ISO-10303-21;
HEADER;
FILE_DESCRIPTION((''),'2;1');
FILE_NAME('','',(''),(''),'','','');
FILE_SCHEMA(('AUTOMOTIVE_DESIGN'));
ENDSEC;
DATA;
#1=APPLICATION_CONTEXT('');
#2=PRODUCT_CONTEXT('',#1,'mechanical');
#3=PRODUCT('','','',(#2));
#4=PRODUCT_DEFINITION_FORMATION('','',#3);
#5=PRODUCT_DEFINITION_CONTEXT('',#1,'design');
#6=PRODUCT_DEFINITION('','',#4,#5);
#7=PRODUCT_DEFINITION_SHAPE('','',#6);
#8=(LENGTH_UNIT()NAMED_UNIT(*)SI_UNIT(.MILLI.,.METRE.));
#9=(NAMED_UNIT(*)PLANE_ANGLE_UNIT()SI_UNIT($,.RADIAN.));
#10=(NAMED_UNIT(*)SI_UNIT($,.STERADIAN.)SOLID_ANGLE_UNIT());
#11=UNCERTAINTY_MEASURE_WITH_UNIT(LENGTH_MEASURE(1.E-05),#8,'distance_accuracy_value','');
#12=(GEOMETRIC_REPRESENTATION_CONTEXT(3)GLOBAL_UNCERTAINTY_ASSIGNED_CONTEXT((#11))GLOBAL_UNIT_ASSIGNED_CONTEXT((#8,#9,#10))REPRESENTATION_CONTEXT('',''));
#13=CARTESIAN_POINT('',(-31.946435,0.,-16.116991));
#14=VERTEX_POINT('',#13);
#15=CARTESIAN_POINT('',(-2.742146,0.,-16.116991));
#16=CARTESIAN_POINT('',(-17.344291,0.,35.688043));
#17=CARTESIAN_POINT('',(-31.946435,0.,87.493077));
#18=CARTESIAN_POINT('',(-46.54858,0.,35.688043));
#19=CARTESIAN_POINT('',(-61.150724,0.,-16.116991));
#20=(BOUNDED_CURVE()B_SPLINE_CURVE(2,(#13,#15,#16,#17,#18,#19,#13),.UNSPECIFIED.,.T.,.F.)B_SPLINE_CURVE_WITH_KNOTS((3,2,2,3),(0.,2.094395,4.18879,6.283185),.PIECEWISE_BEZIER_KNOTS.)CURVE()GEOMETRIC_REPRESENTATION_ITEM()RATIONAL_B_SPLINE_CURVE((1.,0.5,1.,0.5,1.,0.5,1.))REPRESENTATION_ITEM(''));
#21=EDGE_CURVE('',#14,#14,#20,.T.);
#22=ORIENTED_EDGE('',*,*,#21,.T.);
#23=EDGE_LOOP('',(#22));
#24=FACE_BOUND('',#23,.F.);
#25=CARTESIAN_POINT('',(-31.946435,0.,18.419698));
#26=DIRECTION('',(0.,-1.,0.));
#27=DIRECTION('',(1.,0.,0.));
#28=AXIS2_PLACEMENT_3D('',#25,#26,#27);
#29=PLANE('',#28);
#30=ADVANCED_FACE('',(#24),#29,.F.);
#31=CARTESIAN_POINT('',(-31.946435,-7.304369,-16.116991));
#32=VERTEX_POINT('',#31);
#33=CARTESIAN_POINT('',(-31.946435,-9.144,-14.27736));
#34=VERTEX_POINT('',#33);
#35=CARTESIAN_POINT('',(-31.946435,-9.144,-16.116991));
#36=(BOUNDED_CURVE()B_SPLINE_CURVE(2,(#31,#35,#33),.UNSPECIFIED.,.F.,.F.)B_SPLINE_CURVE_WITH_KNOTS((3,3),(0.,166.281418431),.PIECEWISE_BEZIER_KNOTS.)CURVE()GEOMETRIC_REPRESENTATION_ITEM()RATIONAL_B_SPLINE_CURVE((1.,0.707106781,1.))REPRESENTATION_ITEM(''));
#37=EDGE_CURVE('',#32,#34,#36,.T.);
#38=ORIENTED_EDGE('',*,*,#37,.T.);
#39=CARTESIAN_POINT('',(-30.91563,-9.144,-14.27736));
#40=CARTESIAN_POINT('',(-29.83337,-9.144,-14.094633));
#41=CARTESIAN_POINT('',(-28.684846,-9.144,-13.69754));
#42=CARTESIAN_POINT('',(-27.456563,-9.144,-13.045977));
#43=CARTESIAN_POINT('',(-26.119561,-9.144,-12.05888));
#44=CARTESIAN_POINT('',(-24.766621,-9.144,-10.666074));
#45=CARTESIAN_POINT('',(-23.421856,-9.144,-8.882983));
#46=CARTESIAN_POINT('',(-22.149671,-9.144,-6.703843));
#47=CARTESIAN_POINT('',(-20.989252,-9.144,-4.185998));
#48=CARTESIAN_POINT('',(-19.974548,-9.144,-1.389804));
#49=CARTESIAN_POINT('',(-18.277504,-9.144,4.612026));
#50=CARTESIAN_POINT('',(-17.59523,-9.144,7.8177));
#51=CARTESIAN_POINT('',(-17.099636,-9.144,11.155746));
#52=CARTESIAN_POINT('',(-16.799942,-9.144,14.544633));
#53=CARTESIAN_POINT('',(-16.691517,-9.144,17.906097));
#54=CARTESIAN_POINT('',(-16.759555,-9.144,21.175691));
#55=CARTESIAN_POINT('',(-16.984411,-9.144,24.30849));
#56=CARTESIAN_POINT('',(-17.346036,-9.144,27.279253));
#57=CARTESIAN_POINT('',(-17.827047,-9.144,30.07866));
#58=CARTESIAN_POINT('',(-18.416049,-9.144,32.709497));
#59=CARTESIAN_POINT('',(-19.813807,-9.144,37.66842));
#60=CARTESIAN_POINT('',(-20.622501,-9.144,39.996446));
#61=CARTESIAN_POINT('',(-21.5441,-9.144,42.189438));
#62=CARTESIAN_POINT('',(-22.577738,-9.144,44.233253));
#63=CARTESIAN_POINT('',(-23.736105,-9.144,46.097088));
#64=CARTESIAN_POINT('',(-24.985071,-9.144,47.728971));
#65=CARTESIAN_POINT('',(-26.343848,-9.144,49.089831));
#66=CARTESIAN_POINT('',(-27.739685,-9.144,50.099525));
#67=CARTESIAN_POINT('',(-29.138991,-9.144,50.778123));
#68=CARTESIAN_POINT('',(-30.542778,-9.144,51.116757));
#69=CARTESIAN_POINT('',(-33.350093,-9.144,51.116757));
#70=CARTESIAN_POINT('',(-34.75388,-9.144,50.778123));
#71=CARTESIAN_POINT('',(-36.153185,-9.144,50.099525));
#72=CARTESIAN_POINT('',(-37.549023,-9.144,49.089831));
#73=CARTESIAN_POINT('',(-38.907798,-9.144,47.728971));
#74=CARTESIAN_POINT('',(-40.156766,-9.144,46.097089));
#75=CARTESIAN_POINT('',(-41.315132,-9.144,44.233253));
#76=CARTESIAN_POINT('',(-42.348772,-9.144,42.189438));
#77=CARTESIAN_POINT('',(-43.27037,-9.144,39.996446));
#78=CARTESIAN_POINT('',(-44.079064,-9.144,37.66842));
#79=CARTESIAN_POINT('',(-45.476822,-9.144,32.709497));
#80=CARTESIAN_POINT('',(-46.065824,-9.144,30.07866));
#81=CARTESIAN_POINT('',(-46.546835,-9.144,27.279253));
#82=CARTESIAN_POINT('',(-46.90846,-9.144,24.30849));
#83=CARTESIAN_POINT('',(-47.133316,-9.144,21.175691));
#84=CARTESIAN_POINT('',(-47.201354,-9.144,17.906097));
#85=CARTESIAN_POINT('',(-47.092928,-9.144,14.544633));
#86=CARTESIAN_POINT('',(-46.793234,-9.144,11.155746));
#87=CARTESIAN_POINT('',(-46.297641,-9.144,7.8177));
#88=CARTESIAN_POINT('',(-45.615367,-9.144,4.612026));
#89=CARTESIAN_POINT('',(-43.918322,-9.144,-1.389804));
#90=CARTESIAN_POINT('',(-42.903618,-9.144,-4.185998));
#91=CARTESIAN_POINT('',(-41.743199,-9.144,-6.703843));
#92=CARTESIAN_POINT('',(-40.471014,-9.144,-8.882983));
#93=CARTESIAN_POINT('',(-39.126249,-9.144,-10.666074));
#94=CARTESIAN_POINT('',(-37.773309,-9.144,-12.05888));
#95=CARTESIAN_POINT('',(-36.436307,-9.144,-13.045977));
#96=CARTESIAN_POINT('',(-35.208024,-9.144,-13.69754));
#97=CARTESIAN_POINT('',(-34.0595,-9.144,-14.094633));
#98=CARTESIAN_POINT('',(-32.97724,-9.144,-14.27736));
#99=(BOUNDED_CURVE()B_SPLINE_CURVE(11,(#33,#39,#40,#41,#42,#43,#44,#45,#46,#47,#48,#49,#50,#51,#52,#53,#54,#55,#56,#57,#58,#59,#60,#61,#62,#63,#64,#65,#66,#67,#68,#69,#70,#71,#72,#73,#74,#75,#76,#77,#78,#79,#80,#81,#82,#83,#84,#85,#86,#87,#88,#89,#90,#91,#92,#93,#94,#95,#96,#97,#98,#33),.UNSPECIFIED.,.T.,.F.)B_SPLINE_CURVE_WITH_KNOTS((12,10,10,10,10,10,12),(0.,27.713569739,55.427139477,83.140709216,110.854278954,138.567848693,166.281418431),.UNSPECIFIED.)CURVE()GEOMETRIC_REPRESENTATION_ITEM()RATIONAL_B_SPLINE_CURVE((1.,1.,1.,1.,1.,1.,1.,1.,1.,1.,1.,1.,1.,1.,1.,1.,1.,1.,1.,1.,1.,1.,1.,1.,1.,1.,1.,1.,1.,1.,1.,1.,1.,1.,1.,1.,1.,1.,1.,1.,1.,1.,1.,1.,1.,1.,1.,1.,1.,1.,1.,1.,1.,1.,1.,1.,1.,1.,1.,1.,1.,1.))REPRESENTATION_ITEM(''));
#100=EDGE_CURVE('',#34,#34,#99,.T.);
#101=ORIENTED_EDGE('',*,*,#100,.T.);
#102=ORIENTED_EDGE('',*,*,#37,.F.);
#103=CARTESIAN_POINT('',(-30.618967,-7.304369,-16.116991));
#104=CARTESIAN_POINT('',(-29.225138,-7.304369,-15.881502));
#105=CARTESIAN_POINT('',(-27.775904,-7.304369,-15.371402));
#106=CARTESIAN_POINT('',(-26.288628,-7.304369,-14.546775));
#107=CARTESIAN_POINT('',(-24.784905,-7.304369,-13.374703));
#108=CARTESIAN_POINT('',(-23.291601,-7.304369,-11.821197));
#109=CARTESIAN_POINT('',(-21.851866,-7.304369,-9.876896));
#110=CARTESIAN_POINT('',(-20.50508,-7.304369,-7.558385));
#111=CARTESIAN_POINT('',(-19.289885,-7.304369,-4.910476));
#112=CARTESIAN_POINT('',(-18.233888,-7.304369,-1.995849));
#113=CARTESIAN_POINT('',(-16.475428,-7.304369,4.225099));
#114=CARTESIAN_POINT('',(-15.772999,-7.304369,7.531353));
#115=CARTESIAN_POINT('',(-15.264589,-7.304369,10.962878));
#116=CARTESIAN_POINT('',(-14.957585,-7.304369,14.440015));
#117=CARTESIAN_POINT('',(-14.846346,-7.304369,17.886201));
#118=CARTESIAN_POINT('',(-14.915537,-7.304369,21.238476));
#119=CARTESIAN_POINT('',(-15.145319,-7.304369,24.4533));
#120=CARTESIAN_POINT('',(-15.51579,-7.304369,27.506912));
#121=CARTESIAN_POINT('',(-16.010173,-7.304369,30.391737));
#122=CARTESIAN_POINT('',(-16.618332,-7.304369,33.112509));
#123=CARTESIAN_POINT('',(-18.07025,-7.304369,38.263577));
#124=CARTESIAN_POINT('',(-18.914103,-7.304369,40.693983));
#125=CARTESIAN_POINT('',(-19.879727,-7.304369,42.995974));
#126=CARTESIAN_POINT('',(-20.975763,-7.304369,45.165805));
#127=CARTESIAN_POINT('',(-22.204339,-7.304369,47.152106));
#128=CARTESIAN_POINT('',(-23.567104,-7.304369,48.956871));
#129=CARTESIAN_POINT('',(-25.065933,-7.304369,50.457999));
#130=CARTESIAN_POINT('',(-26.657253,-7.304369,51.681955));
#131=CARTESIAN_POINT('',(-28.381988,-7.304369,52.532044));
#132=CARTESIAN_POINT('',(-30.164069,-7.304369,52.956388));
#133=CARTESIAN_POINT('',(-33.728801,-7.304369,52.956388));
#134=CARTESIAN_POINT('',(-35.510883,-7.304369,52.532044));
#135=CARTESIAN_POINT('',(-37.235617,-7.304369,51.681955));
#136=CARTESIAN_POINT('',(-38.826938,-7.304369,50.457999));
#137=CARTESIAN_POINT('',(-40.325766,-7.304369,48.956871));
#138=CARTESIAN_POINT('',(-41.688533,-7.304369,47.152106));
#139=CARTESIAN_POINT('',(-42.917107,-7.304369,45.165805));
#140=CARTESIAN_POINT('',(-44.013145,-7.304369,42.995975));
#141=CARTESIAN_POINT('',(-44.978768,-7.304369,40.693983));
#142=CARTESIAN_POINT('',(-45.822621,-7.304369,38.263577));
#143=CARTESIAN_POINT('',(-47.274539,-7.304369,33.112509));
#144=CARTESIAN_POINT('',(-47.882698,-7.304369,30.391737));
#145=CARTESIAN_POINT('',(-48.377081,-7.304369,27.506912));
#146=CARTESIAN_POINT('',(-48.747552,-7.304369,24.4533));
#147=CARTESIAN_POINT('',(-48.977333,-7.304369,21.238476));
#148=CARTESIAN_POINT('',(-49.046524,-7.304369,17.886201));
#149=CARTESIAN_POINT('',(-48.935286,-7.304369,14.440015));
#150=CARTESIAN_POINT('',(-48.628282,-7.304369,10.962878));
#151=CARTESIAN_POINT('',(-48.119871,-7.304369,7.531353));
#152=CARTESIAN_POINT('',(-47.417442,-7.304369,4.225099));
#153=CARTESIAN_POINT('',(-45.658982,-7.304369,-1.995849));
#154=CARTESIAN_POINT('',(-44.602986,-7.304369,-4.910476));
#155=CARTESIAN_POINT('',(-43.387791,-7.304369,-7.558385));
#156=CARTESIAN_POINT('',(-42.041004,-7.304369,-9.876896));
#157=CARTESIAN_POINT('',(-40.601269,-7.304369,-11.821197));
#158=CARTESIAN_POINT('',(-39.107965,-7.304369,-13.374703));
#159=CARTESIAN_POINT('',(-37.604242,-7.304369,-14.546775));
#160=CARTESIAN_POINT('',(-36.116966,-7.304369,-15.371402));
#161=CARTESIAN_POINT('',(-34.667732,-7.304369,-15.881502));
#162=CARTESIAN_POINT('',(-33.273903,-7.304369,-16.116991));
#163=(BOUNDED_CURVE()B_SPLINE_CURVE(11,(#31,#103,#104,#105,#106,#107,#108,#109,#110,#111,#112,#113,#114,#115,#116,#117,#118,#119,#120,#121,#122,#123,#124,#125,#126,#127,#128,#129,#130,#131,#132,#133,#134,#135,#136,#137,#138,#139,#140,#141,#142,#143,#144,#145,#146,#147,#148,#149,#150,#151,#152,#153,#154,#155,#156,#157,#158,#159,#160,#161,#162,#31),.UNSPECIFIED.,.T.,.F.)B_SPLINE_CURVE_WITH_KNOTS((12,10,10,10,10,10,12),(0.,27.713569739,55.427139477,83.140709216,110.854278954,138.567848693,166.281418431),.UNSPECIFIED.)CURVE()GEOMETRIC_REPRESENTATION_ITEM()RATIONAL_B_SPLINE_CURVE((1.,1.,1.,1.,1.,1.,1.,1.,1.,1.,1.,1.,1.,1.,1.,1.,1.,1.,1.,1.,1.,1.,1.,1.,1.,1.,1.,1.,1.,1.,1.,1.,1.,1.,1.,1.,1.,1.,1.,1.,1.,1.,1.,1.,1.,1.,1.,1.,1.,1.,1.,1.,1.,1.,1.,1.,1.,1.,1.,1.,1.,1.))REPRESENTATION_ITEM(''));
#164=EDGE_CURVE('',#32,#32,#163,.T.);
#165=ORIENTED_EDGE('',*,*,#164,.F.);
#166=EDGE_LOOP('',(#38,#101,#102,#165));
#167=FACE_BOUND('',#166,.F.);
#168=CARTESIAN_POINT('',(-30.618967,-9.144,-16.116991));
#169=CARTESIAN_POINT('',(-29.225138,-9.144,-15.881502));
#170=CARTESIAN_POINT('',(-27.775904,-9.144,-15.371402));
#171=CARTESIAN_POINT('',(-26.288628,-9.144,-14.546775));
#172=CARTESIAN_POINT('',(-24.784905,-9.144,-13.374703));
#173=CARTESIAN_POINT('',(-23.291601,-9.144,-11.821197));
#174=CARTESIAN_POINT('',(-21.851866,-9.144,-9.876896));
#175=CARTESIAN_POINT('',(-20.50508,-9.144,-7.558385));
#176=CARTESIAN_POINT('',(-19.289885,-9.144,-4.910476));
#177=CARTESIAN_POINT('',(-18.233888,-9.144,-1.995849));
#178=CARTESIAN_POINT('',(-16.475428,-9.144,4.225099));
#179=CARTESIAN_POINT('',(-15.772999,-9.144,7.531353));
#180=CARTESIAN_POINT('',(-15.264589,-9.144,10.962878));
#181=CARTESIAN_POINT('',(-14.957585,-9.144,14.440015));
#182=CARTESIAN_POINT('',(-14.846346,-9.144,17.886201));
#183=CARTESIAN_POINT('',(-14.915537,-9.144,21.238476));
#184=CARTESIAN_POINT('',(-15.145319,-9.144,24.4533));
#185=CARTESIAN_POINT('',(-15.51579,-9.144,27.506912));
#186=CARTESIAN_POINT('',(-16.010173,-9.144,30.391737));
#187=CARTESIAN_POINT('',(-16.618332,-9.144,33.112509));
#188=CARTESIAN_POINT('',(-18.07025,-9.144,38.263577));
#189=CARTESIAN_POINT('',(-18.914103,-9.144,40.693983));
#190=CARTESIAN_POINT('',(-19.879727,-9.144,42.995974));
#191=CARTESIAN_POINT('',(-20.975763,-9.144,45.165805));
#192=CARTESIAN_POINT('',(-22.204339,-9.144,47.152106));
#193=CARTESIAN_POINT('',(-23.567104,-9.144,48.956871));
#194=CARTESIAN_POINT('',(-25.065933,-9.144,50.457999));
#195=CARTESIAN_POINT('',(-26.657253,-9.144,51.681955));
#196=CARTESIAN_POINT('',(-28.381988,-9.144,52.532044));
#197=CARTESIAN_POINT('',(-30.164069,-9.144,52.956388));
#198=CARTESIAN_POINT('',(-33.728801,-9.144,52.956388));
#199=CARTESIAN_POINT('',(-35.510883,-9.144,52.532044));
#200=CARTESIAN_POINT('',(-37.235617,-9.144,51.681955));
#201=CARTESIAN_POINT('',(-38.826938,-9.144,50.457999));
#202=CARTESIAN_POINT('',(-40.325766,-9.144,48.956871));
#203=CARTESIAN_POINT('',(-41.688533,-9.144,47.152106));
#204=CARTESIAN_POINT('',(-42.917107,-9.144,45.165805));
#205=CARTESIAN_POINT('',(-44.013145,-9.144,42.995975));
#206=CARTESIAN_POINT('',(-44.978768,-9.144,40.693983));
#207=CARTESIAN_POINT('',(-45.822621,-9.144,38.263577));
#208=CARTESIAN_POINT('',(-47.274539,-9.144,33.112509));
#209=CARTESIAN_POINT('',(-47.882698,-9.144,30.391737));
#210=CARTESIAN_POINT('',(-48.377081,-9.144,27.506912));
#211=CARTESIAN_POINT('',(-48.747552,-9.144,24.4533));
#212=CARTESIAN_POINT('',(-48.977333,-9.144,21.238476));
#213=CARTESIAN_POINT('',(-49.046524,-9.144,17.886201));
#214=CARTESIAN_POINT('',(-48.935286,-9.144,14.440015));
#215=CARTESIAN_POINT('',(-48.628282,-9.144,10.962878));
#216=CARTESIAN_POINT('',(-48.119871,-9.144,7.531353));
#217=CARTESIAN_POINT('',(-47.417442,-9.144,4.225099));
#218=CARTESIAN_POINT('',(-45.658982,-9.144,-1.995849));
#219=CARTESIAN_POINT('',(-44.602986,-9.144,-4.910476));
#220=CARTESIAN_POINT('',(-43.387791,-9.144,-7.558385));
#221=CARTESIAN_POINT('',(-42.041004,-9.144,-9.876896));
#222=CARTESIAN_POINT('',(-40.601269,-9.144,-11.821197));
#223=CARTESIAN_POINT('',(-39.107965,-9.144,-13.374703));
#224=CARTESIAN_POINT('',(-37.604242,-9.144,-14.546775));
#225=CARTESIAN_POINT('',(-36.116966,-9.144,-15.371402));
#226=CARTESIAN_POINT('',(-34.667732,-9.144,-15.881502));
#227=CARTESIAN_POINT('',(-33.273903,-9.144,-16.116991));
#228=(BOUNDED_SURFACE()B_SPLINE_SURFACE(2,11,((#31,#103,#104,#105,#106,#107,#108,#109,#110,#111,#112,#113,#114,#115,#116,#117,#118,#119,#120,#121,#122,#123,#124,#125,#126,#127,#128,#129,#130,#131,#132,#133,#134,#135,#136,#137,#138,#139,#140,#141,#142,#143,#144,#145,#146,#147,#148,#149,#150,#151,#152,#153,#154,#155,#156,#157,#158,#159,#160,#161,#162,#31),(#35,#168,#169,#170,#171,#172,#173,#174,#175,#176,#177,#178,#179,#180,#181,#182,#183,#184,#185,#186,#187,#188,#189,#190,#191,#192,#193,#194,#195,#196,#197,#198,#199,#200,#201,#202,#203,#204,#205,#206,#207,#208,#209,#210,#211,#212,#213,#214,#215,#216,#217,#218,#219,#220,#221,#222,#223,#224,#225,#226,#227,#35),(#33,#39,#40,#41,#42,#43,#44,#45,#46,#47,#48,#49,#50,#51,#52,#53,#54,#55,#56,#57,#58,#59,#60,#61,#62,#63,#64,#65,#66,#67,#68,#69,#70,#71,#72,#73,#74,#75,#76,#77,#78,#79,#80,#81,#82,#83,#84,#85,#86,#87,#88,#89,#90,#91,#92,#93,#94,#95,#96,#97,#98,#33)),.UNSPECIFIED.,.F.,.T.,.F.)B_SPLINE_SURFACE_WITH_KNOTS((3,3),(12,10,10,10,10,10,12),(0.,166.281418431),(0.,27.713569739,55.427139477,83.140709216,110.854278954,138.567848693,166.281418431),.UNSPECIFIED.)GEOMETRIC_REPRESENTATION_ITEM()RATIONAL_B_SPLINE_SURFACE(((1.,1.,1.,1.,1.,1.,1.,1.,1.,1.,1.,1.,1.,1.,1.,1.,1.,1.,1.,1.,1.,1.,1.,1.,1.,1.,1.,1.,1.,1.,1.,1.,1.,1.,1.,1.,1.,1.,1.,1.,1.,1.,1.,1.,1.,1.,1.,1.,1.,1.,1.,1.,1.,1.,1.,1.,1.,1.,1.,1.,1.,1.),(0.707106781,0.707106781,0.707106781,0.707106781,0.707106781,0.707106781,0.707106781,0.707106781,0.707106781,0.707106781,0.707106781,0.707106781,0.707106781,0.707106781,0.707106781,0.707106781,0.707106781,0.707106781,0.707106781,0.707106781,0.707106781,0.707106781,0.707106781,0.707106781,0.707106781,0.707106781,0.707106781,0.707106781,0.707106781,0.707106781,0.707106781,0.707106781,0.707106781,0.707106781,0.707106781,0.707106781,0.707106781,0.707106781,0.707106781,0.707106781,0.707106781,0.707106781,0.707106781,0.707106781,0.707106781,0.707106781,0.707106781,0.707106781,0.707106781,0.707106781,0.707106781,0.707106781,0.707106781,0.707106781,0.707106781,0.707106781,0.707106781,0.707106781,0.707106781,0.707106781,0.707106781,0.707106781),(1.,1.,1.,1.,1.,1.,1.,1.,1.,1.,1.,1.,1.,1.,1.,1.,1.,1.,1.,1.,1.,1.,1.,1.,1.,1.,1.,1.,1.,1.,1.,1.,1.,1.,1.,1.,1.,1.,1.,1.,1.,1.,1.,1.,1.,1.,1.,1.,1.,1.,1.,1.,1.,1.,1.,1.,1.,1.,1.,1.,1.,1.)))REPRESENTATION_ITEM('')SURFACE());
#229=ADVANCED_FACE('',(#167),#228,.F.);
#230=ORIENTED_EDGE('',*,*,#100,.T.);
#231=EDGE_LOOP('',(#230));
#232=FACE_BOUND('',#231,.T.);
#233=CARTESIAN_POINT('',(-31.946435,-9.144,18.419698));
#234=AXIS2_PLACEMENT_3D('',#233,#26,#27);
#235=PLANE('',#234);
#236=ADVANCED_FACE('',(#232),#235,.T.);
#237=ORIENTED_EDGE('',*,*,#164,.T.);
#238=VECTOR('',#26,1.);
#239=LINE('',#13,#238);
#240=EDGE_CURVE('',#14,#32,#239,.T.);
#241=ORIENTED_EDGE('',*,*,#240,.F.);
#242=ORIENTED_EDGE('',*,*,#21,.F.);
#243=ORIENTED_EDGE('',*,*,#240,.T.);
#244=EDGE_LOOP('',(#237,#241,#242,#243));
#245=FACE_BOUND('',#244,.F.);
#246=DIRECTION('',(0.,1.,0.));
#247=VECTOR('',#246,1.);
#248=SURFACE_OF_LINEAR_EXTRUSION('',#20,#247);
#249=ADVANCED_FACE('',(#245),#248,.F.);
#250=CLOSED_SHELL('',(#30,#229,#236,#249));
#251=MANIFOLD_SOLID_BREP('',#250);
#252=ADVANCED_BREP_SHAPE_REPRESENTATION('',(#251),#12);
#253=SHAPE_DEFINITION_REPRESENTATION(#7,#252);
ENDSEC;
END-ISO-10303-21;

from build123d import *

# Parameters (mm, degrees)
F1_DEPTH = 9.144
F2_R     = 1.839631


with BuildPart() as f1:
    # F0 (on Front) → F1 (new body)
    with BuildSketch(Plane.XZ):
        with BuildLine():
            add(Edge.make_bspline(
                [(-31.946435, -16.116991), (-2.742146, -16.116991), (-17.344291, 35.688043), (-31.946435, 87.493077), (-46.54858, 35.688043), (-61.150724, -16.116991), (-31.946435, -16.116991)],
                knots=[0, 0, 0, 2.094395, 2.094395, 4.18879, 4.18879, 6.283185, 6.283185, 6.283185], degree=2, weights=[1, 0.5, 1, 0.5, 1, 0.5, 1]))
        make_face()
    extrude(amount=F1_DEPTH)

    # F2
    f2_edges = [f1.edges().sort_by_distance(p)[0] for p in [
        (-31.94643, -9.144, 52.956388),
    ]]
    fillet(f2_edges, radius=F2_R)


solid = f1.part
